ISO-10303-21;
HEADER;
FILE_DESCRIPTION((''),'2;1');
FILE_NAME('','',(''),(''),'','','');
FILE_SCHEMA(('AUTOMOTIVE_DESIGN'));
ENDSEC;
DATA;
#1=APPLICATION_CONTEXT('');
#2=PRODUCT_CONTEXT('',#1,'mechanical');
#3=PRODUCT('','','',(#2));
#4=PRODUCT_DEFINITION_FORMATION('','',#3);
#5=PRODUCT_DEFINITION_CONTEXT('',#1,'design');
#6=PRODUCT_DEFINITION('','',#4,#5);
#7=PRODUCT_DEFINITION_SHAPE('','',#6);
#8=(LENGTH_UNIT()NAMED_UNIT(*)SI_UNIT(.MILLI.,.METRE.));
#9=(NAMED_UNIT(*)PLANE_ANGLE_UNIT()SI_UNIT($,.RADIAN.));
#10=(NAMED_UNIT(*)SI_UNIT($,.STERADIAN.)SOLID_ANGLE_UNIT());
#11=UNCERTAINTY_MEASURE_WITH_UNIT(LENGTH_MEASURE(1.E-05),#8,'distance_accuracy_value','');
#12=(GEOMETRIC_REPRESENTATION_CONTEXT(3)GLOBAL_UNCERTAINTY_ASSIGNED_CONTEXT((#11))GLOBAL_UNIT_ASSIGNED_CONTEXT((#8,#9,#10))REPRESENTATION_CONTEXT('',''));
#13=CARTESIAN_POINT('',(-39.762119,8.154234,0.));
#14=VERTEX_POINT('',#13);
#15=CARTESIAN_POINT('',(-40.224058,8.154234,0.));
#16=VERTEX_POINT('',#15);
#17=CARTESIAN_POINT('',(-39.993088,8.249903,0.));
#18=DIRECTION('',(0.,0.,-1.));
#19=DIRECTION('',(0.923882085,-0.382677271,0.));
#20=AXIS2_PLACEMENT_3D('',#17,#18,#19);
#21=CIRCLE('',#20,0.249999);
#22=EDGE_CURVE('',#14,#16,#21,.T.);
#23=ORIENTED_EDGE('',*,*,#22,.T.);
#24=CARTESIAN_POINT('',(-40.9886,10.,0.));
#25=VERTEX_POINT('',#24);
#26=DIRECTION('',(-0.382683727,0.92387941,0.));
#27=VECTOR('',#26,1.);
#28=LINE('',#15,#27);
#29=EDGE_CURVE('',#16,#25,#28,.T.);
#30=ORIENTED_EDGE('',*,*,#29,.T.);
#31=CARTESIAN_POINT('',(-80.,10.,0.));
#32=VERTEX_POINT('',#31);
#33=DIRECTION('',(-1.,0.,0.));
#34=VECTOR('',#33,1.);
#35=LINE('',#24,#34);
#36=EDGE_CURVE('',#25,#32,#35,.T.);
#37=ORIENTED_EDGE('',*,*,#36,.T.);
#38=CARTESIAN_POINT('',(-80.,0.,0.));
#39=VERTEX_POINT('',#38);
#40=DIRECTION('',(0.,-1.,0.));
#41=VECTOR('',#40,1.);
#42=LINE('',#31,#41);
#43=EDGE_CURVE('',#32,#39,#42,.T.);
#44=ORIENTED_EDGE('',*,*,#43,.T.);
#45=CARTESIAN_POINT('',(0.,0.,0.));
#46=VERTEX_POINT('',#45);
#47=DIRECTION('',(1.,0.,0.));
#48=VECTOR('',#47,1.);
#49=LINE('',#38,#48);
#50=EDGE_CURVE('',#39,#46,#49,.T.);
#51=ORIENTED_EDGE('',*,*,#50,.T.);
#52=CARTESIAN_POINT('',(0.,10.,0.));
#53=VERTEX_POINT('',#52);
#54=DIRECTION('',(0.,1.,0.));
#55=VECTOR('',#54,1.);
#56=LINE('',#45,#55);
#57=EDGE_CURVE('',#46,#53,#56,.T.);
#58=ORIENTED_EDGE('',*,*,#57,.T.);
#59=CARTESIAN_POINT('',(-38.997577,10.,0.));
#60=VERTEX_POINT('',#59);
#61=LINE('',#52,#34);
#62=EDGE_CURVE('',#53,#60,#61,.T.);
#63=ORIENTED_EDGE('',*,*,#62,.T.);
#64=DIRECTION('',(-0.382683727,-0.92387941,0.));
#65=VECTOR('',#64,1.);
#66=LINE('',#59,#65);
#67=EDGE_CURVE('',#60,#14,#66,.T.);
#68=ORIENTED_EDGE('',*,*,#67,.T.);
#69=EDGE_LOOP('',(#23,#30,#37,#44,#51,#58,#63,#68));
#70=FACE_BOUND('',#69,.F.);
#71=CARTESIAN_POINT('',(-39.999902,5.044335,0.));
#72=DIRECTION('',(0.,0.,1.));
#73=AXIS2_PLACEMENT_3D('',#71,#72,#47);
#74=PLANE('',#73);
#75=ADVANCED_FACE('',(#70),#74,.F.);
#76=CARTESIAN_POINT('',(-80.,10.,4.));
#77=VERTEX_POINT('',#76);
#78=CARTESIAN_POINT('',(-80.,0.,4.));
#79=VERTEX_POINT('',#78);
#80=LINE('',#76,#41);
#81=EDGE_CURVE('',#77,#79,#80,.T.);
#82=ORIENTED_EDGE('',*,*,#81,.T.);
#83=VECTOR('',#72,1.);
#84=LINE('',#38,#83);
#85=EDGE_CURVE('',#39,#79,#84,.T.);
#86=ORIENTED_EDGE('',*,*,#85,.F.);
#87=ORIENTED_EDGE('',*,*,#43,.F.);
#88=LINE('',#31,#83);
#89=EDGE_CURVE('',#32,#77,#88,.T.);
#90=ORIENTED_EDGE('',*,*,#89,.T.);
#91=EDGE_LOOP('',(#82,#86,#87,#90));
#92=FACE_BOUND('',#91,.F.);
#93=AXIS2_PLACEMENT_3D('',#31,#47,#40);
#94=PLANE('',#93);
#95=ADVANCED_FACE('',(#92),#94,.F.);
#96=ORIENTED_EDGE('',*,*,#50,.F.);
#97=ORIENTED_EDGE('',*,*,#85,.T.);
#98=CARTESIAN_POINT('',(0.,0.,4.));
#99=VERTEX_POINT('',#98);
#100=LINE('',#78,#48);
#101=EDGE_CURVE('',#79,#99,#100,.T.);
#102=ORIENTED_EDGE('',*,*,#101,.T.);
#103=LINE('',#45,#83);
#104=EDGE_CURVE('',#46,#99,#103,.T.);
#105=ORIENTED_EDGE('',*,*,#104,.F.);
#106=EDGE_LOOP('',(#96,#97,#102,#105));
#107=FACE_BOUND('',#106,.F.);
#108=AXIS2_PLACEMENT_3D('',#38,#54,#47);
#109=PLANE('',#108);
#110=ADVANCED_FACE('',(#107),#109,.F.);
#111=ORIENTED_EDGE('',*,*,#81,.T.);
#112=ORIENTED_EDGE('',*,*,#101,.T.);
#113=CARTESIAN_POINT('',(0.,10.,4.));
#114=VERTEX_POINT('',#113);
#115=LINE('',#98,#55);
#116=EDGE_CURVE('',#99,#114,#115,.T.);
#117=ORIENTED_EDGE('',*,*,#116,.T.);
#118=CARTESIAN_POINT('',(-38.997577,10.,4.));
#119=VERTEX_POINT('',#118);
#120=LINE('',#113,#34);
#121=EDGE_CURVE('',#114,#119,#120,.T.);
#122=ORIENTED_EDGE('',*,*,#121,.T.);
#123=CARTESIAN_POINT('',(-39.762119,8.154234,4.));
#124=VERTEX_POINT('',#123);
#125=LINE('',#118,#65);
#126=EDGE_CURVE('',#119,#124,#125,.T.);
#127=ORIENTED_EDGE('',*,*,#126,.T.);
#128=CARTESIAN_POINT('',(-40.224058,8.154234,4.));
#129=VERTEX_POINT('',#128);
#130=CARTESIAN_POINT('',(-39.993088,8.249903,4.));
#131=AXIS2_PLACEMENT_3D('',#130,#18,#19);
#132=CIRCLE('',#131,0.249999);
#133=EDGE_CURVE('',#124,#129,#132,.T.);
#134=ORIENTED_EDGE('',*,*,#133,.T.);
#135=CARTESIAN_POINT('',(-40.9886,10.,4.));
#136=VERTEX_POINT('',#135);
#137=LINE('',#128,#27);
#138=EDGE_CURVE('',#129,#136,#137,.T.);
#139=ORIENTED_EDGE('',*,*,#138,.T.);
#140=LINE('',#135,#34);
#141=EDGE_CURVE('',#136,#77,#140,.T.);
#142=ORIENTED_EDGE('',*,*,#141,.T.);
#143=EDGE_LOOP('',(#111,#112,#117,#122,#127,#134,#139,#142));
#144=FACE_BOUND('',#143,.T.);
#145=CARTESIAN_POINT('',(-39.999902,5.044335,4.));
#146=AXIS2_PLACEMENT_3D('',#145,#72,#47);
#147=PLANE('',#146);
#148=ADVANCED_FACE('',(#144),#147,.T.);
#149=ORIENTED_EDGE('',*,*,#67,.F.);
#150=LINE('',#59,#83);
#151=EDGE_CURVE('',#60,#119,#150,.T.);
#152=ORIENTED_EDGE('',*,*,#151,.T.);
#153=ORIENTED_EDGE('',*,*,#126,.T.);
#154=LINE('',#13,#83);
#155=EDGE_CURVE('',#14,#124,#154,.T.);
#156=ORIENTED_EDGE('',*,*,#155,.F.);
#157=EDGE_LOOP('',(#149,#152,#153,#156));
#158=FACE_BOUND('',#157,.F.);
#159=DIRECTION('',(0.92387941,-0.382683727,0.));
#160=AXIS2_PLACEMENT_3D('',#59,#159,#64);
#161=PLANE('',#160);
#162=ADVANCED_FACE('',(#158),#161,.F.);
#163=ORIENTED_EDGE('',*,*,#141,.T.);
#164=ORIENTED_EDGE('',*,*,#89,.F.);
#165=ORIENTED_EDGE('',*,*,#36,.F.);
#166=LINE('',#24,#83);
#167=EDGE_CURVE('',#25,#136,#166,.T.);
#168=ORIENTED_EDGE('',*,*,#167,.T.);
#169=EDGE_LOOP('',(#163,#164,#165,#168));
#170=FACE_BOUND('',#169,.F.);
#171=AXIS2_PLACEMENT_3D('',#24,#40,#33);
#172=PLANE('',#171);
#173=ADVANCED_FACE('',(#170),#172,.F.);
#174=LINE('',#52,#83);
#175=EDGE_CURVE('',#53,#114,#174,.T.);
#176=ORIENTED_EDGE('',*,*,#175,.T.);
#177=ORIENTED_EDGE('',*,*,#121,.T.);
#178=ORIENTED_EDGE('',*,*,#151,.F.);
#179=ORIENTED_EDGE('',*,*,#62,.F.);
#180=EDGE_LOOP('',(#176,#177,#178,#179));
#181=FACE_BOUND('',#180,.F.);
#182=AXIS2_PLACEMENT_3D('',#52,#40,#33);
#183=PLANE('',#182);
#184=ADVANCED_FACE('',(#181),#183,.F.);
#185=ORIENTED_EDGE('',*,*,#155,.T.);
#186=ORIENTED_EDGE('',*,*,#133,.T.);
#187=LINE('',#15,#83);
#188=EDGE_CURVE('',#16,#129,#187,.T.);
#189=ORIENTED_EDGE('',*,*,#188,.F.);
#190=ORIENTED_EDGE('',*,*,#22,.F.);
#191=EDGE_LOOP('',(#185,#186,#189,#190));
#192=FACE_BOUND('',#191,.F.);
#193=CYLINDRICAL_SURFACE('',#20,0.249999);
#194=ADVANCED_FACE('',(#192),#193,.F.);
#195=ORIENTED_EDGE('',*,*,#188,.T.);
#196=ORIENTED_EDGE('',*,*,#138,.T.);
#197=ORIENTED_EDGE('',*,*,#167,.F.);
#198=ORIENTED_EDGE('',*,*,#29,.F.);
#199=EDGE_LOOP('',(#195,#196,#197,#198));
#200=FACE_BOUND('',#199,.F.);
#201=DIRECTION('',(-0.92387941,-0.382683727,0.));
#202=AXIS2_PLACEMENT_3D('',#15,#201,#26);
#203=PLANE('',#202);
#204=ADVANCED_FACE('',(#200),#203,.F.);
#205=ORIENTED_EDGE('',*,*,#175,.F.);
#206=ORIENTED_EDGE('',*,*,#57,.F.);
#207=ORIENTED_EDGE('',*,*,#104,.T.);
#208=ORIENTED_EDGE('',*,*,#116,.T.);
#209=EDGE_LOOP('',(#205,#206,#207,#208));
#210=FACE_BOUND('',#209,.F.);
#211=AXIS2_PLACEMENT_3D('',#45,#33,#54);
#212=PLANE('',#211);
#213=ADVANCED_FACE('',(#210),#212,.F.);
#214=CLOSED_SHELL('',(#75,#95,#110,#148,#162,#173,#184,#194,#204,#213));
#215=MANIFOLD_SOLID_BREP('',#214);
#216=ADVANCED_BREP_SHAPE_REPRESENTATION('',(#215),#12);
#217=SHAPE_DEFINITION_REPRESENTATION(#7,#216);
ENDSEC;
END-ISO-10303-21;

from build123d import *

# Parameters (mm, degrees)
F1_DEPTH = 4


with BuildPart() as f1:
    # F0 (on Top) → F1 (new body)
    with BuildSketch(Plane.XY):
        with BuildLine():
            Line((0, 0), (0, 10))
            Line((0, 10), (-38.997577, 10))
            Line((-38.997577, 10), (-39.762119, 8.154234))
            ThreePointArc((-39.762119, 8.154234), (-39.993088, 7.999904), (-40.224058, 8.154234))
            Line((-40.224058, 8.154234), (-40.9886, 10))
            Line((-40.9886, 10), (-80, 10))
            Line((-80, 10), (-80, 0))
            Line((-80, 0), (0, 0))
        make_face()
    extrude(amount=F1_DEPTH)


solid = f1.part
